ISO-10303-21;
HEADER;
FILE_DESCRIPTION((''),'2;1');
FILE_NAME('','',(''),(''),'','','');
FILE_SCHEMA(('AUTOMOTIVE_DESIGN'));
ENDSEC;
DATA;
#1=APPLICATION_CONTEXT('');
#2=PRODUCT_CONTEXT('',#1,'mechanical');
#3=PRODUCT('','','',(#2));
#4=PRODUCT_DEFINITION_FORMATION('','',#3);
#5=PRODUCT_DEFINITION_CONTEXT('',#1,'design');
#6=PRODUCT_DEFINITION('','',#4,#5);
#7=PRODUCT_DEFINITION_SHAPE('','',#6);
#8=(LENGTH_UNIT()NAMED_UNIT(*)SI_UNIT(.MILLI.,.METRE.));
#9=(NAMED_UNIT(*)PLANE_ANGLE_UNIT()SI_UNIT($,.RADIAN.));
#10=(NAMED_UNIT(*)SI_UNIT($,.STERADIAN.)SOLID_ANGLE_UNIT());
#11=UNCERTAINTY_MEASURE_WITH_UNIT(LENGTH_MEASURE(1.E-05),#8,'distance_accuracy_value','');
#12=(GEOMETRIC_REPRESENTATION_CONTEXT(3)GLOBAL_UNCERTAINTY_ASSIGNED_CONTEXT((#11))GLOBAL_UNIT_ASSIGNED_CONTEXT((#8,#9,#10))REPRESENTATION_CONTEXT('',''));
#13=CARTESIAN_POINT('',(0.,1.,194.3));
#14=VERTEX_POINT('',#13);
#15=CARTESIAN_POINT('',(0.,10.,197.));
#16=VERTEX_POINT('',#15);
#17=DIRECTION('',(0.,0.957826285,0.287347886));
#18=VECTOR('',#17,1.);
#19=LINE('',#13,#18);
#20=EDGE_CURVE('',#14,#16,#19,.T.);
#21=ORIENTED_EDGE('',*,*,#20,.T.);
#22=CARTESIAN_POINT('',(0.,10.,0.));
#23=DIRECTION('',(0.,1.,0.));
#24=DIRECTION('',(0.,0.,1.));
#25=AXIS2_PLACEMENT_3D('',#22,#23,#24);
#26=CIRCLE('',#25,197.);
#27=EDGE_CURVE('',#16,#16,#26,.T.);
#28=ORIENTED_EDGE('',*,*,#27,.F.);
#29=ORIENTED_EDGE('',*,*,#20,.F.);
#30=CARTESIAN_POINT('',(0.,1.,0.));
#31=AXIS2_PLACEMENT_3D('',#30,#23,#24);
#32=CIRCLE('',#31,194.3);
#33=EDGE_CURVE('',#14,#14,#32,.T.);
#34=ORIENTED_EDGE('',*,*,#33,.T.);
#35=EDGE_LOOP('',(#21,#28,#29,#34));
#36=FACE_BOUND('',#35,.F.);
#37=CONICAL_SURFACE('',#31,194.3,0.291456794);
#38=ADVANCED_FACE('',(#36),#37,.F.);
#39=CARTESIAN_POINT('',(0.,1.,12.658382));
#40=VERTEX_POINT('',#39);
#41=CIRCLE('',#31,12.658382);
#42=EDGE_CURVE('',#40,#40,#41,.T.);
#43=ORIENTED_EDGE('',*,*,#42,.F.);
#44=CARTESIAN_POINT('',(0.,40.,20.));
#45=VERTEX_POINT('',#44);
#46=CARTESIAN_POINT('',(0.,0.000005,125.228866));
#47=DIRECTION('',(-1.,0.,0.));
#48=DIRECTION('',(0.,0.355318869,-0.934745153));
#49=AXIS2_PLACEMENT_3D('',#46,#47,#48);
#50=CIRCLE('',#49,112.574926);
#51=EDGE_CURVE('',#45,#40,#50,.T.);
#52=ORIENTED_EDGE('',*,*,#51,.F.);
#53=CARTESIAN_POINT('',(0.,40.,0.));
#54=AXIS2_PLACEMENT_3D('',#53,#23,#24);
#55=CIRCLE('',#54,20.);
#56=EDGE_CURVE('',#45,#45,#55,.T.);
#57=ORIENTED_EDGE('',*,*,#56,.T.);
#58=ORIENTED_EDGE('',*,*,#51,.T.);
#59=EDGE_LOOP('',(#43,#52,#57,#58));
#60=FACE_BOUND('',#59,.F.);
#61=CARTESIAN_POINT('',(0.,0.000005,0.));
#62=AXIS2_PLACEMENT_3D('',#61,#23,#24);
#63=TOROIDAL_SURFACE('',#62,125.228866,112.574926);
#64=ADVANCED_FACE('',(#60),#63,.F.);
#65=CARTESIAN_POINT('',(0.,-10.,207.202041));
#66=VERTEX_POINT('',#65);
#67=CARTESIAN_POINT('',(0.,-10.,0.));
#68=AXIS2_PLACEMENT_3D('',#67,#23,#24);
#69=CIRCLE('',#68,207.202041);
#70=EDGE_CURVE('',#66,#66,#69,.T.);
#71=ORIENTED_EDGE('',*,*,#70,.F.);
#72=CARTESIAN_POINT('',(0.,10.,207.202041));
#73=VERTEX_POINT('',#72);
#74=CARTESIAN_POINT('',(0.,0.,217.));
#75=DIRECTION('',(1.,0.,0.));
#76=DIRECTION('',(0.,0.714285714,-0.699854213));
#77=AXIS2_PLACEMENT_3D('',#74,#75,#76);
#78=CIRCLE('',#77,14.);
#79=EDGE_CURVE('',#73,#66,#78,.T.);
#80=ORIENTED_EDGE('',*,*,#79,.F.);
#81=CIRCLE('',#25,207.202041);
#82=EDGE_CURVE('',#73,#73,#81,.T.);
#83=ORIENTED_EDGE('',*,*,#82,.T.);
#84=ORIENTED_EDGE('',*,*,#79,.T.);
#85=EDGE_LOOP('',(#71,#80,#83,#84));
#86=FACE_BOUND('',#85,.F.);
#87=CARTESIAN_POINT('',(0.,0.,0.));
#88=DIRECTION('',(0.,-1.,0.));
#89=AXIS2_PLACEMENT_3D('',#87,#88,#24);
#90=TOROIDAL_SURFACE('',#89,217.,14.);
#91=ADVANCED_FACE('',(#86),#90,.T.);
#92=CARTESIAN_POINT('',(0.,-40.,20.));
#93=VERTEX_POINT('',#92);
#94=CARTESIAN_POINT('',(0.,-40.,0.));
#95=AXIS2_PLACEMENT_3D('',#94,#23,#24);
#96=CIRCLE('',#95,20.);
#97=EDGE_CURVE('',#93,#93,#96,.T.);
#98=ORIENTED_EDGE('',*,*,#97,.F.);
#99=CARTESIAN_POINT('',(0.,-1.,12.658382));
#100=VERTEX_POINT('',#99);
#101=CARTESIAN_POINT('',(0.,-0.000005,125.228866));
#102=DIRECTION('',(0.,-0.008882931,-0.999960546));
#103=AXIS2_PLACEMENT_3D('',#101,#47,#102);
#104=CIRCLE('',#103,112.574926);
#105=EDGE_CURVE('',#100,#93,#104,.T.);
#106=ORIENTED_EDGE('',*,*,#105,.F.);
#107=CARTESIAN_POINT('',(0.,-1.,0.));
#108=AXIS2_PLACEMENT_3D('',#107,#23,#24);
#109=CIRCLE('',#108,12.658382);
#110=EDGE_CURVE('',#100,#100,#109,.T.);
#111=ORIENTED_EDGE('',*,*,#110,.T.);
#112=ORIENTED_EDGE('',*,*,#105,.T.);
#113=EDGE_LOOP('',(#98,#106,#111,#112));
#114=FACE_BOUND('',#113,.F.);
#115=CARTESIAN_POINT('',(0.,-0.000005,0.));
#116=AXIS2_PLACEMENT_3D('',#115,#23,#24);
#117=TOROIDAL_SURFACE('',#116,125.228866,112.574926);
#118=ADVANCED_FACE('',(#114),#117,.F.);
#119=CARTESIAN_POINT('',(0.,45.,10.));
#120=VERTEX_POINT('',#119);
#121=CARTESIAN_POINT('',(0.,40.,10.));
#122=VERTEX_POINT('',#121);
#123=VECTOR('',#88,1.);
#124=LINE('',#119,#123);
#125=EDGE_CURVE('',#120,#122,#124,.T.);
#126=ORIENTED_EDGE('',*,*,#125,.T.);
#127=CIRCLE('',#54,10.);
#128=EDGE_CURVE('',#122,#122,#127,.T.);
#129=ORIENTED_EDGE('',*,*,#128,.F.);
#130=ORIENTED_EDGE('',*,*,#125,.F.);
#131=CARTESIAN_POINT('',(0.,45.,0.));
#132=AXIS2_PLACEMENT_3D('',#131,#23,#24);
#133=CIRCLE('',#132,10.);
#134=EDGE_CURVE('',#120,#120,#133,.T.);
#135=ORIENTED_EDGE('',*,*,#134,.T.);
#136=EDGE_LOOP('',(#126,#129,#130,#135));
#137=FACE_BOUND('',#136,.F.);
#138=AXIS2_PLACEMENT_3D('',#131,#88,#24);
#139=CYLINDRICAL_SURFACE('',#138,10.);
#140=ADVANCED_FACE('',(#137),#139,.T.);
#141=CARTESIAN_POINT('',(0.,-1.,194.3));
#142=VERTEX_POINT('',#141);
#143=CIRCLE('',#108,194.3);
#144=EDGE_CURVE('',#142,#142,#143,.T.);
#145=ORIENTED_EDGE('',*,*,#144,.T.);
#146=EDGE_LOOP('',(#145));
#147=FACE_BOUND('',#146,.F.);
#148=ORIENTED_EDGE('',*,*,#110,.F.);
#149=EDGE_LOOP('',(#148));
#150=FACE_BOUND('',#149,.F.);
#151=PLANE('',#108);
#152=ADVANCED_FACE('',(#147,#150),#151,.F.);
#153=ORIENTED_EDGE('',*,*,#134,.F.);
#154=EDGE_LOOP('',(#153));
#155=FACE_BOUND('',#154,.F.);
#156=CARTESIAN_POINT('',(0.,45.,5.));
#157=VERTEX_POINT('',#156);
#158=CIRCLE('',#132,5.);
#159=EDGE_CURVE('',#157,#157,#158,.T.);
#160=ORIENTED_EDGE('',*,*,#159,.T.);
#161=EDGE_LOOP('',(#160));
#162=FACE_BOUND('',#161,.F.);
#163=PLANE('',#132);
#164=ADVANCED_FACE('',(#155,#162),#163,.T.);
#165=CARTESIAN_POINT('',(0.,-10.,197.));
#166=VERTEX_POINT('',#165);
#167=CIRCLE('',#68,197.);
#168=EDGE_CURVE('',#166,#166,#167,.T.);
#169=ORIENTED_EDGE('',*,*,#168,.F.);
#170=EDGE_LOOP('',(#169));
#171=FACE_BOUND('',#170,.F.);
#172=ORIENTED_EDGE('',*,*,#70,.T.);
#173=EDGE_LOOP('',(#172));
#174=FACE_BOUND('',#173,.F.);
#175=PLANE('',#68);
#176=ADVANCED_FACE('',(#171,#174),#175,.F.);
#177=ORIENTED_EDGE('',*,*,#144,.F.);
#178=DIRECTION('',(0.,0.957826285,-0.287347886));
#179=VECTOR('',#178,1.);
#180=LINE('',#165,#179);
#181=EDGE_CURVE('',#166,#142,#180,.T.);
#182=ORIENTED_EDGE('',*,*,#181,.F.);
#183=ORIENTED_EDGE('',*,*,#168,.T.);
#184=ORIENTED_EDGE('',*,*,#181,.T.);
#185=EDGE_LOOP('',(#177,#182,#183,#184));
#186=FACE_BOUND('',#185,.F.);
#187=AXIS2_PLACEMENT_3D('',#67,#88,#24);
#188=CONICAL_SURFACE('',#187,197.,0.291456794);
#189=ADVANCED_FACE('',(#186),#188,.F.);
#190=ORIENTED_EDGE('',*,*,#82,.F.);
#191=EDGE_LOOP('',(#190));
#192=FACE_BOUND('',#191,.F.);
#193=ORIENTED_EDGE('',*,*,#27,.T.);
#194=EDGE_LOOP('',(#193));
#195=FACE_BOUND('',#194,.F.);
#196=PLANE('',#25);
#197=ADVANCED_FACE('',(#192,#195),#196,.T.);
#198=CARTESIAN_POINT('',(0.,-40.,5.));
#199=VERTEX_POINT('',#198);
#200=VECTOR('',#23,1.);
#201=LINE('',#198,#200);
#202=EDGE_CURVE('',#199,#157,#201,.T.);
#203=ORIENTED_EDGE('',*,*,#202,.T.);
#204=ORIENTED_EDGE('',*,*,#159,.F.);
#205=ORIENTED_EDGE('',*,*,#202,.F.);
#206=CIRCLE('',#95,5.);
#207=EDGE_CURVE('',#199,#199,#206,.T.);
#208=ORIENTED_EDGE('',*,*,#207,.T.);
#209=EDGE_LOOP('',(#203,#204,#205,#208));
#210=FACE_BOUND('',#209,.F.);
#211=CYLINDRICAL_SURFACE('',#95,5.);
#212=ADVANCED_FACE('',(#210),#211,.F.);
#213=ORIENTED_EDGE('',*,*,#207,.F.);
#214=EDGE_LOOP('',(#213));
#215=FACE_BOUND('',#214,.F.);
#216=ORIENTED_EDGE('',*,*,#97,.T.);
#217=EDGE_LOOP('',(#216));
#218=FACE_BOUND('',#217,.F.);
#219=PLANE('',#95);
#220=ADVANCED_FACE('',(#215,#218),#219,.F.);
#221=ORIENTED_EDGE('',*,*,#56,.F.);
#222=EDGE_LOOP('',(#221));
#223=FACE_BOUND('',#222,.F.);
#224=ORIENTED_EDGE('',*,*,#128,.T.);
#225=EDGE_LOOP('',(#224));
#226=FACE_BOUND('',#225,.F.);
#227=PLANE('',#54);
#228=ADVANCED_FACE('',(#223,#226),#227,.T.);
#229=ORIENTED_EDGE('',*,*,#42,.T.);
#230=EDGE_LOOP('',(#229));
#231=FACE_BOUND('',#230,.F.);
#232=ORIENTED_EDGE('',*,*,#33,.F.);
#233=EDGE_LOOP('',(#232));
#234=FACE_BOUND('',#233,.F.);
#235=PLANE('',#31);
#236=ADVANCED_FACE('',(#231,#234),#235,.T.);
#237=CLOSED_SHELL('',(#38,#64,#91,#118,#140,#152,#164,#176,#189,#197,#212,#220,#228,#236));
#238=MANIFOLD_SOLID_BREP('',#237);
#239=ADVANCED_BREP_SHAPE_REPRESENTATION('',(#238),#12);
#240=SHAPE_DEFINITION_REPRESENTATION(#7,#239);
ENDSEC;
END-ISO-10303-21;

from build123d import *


with BuildPart() as f1:
    # F0 (on Right) → F1 (revolve)
    with BuildSketch(Plane.YZ):
        with BuildLine():
            Line((10, 197), (10, 207.202041))
            ThreePointArc((10, 207.202041), (0, 231), (-10, 207.202041))
            Line((-10, 207.202041), (-10, 197))
            Line((-10, 197), (-1, 194.3))
            Line((-1, 194.3), (-1, 12.658382))
            ThreePointArc((-1, 12.658382), (-20.826062, 14.597093), (-40, 20))
            Line((-40, 20), (-40, 5))
            Line((-40, 5), (40, 5))
            Line((40, 5), (45, 5))
            Line((45, 5), (45, 10))
            Line((45, 10), (40, 10))
            Line((40, 10), (40, 20))
            ThreePointArc((40, 20), (20.826062, 14.597093), (1, 12.658382))
            Line((1, 12.658382), (1, 194.3))
            Line((1, 194.3), (10, 197))
        make_face()
    revolve(axis=Axis((0, 1.765828, 0), (0, 1, 0)))


solid = f1.part
